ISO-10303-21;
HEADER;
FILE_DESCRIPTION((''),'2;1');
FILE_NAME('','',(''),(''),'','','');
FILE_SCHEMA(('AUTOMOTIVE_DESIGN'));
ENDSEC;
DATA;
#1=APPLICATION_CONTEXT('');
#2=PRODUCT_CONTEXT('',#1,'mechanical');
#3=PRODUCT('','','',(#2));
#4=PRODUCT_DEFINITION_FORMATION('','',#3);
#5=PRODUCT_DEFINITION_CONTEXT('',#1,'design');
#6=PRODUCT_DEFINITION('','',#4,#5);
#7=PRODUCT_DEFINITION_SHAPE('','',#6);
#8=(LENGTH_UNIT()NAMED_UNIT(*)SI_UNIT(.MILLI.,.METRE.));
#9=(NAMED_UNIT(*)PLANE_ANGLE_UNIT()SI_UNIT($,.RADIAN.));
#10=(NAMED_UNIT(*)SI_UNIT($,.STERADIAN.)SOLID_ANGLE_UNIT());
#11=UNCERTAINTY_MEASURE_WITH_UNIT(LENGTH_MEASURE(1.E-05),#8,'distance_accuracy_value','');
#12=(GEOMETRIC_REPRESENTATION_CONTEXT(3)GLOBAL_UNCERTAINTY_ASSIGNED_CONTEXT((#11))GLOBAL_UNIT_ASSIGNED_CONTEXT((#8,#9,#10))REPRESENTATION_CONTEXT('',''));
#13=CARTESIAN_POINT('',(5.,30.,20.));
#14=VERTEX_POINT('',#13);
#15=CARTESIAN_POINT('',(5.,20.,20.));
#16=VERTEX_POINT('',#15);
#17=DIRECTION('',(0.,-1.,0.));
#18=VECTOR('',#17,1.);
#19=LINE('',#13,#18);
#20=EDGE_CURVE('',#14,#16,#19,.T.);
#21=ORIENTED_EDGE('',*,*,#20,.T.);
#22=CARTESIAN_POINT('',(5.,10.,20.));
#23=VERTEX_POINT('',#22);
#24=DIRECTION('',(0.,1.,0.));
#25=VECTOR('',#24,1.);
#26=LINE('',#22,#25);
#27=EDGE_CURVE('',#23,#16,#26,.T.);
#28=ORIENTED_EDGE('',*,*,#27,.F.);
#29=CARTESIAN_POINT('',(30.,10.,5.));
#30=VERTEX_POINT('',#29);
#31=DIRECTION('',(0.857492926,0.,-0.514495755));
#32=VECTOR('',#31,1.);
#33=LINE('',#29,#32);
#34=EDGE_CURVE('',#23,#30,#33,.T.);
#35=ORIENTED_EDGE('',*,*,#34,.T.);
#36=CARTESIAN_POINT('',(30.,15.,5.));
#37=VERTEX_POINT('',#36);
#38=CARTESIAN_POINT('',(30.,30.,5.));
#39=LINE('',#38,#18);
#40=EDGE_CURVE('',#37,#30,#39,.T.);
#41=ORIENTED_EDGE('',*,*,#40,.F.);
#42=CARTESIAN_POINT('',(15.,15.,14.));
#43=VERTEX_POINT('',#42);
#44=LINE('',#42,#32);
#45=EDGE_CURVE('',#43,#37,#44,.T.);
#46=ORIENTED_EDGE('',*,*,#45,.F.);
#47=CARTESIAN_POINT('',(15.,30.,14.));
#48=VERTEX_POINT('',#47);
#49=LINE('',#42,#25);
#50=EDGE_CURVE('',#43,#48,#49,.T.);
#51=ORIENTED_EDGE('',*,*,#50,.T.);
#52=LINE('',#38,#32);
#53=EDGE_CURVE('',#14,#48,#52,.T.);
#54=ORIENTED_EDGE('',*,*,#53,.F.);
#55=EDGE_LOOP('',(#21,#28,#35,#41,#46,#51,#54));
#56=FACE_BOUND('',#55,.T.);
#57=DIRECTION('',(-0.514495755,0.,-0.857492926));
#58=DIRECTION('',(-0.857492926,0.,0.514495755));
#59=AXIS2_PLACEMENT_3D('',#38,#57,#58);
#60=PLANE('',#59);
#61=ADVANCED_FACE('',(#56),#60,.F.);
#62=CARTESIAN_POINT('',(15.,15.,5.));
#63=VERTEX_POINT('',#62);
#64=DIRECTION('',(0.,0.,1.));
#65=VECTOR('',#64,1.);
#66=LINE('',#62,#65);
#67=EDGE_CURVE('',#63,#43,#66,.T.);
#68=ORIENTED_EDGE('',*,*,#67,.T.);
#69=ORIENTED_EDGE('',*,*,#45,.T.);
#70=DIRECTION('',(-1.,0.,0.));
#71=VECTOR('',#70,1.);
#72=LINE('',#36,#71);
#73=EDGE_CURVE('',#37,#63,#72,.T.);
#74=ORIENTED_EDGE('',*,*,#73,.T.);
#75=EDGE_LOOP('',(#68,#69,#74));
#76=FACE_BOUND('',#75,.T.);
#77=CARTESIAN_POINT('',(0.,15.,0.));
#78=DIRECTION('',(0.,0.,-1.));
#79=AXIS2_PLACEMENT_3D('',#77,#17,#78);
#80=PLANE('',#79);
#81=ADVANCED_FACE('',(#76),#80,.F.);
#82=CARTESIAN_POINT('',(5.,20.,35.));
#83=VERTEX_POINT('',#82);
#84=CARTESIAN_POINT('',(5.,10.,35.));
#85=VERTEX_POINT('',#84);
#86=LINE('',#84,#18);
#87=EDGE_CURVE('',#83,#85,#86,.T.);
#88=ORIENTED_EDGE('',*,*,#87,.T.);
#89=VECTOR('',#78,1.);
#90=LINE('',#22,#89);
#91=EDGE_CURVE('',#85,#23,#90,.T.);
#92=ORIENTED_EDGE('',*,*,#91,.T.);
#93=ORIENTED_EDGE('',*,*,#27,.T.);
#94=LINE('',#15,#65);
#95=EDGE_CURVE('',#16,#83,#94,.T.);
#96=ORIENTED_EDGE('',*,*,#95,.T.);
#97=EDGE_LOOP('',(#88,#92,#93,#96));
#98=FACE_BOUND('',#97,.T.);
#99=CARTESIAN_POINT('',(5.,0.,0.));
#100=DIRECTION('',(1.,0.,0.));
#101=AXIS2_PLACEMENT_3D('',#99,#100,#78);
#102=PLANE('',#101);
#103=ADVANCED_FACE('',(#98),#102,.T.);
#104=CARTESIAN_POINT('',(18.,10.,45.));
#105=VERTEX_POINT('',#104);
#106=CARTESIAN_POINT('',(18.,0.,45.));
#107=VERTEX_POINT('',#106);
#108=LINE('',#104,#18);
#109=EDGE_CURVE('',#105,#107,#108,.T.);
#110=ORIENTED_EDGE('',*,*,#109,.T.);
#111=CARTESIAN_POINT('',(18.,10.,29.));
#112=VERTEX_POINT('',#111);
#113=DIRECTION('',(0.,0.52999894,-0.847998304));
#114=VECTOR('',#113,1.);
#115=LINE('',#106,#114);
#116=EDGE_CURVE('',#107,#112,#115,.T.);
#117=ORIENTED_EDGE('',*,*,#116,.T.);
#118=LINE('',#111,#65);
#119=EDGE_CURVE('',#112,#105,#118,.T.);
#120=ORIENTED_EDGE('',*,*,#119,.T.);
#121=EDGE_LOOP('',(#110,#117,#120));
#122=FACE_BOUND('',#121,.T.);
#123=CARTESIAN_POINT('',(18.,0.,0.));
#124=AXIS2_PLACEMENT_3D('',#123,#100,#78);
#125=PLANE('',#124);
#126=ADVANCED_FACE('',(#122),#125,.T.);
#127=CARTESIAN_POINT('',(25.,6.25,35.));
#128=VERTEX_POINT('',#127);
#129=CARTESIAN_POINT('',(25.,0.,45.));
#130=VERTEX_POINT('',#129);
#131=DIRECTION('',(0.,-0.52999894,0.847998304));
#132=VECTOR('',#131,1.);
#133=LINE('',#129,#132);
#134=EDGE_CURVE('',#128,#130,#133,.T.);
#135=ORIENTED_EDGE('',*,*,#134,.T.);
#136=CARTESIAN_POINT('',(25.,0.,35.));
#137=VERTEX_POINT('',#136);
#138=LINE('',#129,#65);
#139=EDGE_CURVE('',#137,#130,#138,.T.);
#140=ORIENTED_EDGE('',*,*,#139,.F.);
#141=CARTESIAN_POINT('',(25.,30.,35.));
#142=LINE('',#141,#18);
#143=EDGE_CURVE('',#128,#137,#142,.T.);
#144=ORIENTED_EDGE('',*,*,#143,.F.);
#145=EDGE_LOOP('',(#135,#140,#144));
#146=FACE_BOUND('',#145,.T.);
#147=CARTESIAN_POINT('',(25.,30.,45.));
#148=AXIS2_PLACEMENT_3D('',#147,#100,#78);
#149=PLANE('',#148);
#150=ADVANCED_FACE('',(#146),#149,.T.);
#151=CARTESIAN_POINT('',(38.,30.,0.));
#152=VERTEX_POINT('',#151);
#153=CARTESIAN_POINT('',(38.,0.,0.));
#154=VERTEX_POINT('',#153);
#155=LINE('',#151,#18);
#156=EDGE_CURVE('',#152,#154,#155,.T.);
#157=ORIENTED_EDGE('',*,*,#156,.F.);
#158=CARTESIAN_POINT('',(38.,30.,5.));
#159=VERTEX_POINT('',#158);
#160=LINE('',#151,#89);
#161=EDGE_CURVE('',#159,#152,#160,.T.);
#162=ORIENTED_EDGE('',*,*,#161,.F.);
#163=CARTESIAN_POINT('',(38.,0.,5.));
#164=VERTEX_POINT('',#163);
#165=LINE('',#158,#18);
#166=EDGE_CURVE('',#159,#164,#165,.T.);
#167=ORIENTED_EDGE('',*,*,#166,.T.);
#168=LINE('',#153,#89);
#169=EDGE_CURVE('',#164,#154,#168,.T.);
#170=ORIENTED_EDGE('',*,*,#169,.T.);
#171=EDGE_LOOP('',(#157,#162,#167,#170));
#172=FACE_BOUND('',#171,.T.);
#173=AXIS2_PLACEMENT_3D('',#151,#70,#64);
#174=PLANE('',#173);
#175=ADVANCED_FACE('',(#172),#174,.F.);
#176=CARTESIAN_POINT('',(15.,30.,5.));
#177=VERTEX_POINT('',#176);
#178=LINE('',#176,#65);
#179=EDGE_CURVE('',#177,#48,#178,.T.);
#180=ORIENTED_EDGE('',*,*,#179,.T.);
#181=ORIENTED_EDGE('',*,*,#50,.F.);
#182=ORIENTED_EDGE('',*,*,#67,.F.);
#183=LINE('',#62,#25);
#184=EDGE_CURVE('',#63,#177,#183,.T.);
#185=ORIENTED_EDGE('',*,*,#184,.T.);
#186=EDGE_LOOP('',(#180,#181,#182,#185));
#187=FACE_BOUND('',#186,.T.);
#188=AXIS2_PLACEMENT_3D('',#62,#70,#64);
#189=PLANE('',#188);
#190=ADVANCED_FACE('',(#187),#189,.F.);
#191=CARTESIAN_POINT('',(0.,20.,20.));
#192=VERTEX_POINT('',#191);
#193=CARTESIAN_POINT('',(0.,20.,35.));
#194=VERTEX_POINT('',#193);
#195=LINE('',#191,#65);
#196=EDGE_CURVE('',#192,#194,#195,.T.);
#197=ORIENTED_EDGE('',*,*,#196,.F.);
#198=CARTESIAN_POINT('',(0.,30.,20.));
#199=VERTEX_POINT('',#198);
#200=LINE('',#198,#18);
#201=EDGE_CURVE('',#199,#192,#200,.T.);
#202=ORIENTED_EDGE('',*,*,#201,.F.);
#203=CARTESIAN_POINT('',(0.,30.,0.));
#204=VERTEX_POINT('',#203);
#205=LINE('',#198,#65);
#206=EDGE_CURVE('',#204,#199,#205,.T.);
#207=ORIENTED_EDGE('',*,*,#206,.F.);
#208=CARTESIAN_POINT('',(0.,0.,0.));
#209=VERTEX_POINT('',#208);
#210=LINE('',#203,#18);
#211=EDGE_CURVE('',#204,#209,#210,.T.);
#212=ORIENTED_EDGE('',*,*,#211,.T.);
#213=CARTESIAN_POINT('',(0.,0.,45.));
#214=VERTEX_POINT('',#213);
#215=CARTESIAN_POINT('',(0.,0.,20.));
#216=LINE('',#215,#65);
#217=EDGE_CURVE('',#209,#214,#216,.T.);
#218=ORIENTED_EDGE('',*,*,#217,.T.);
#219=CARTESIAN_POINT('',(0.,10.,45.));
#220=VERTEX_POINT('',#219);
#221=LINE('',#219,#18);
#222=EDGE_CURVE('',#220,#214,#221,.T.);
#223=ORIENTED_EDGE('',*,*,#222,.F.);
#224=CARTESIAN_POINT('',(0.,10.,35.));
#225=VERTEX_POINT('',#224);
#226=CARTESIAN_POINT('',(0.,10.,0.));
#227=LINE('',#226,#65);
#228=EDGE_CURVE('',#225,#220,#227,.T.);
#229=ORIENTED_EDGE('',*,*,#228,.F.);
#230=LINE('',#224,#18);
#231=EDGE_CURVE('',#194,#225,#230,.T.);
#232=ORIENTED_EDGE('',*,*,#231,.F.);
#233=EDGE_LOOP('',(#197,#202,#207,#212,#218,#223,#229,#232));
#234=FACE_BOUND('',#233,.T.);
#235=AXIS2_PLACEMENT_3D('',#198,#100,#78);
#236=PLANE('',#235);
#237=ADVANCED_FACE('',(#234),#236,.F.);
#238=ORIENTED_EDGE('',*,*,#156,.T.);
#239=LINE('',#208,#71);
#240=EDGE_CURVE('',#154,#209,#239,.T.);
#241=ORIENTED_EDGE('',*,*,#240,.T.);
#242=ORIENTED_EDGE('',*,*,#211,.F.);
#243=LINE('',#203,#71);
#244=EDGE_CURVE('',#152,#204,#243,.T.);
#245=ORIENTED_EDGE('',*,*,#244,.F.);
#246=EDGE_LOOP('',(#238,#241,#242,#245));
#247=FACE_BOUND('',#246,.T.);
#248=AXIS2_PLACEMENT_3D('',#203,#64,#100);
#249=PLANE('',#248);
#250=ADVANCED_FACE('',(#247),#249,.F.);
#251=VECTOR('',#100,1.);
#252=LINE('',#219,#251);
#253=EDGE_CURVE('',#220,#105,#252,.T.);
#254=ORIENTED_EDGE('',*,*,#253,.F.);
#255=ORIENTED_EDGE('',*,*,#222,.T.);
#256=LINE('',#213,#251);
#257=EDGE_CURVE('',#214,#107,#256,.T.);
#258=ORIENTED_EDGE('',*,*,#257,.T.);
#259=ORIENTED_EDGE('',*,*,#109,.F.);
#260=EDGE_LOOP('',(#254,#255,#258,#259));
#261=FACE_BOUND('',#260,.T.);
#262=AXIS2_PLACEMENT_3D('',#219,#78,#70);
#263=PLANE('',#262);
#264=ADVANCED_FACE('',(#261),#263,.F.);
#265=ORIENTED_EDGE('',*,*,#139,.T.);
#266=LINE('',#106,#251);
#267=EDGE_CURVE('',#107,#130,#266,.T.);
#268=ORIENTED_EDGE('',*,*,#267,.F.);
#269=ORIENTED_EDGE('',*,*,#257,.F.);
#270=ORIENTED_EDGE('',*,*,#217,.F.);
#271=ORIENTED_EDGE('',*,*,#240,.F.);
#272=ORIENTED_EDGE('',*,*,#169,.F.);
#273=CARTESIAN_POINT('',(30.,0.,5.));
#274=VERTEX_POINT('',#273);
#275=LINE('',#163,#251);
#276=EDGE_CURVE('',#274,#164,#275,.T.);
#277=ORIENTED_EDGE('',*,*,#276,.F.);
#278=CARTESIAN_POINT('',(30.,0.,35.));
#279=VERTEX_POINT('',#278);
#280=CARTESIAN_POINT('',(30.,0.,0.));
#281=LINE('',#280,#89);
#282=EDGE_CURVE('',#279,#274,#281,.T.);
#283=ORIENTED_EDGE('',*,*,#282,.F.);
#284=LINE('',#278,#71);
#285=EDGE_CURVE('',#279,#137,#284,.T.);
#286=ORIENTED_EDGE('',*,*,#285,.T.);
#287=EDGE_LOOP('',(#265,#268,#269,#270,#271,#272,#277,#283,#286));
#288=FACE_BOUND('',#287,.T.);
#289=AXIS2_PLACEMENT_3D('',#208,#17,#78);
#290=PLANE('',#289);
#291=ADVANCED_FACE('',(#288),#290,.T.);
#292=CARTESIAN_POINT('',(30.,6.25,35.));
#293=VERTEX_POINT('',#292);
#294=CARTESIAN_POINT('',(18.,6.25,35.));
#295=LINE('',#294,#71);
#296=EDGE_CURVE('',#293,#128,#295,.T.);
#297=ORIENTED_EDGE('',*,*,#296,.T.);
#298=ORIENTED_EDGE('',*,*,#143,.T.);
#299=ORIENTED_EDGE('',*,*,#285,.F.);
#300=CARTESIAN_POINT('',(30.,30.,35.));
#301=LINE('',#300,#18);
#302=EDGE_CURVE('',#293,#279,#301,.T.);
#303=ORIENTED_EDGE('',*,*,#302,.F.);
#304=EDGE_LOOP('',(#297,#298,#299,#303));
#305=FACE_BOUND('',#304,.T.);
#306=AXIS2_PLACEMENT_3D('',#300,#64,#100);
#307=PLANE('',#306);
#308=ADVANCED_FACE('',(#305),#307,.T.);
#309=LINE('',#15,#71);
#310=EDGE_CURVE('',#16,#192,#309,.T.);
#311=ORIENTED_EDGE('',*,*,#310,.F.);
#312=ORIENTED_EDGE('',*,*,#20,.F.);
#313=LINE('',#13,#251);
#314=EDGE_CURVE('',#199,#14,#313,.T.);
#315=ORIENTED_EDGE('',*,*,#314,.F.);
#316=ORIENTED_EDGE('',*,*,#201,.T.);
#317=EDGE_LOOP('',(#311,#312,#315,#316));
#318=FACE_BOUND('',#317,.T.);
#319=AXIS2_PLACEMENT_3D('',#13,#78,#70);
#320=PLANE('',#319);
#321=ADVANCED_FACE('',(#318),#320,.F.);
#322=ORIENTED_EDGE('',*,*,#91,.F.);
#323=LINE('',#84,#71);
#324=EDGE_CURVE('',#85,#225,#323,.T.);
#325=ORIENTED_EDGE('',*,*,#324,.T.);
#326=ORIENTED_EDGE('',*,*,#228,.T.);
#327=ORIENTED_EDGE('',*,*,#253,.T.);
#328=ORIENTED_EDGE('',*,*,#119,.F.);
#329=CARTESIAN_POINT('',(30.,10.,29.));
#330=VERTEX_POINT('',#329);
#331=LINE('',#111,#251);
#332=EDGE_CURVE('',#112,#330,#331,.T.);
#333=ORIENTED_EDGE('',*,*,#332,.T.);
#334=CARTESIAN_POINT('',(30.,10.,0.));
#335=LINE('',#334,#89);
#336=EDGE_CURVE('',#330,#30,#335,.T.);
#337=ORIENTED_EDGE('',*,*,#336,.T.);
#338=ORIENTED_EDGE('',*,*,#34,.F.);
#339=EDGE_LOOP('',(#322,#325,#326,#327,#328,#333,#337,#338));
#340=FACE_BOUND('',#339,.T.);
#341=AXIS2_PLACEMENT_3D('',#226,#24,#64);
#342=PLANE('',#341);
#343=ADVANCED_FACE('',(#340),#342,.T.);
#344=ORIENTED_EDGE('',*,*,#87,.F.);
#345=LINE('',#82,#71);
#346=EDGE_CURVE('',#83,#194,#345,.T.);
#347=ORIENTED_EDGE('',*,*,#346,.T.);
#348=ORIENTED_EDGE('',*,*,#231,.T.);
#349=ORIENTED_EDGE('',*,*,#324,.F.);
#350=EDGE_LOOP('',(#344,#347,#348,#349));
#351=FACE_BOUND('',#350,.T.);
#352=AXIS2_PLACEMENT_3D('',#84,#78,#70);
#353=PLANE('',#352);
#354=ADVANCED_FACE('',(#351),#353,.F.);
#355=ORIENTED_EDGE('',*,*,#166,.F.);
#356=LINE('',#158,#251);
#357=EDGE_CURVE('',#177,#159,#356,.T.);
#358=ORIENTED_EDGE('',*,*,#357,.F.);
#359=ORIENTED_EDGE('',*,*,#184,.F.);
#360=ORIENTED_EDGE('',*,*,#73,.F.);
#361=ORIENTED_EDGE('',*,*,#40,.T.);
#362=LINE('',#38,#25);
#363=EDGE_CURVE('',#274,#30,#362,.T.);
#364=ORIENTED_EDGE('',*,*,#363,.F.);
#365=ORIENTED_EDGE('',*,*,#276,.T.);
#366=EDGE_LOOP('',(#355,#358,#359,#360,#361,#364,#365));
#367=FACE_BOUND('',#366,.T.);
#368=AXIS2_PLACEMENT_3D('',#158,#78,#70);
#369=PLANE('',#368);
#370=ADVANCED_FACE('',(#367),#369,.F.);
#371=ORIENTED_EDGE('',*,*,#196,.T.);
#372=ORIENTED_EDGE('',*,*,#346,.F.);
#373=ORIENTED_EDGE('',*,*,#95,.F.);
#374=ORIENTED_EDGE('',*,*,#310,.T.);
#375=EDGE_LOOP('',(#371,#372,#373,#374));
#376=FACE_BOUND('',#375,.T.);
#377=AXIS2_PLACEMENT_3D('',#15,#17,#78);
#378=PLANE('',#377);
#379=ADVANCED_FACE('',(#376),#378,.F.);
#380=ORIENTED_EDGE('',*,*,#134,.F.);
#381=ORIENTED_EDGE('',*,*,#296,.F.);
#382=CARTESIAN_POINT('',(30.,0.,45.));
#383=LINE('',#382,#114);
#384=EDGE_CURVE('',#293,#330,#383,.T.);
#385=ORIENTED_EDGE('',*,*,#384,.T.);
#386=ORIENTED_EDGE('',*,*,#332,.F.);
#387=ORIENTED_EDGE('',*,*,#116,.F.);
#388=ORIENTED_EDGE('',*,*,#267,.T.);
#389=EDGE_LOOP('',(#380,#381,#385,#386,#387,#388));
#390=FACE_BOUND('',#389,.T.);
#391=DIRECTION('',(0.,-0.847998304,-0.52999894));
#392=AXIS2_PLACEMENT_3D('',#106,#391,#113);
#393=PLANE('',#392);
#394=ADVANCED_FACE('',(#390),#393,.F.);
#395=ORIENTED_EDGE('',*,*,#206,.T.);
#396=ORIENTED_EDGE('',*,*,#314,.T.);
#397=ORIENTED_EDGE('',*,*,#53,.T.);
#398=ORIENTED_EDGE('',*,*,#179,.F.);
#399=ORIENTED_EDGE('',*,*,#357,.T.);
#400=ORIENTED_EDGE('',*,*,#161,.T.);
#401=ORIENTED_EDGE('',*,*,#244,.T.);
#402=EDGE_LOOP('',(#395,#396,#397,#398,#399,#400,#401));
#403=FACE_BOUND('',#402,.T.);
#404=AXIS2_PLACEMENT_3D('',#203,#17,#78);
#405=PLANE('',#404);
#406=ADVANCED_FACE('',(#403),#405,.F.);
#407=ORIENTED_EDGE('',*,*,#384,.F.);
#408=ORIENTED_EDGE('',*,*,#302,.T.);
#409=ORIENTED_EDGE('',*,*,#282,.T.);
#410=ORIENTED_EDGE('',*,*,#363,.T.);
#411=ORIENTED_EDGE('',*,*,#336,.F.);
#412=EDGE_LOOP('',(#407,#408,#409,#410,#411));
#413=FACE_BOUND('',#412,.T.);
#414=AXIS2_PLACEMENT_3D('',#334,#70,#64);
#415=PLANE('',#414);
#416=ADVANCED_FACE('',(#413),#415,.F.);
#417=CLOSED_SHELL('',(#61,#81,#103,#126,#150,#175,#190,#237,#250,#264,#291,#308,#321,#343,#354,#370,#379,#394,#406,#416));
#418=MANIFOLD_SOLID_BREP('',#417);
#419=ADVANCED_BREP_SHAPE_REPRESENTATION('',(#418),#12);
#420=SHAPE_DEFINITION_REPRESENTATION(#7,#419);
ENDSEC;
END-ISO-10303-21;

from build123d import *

# Parameters (mm, degrees)
BOSS_EXTRUDE1_DEPTH = 30
SKETCH2_W           = 30
SKETCH2_H           = 45
BOSS_EXTRUDE2_DEPTH = 10
SKETCH3_W           = 15
SKETCH3_H           = 10
BOSS_EXTRUDE3_DEPTH = 5
CUT_EXTRUDE1_DEPTH  = 15
CUT_EXTRUDE2_DEPTH  = 12
SKETCH6_W           = 5
SKETCH6_H           = 10
CUT_EXTRUDE4_DEPTH  = 67.098411479


with BuildPart() as part:
    # Sketch1 → Boss-Extrude1 (new body)
    with BuildSketch(Plane(origin=(0, 0, 0), x_dir=(1, 0, 0), z_dir=(0, 1, 0))):
        Polygon((0, 0), (38, 0), (38, -5), (30, -5), (5, -20), (0, -20), align=None)
    extrude(amount=BOSS_EXTRUDE1_DEPTH)

    # Sketch2 → Boss-Extrude2 (add)
    with BuildSketch(Plane(origin=(0, 0, 0), x_dir=(1, 0, 0), z_dir=(0, 1, 0))):
        with Locations((15, -22.5)):
            Rectangle(SKETCH2_W, SKETCH2_H)
    extrude(amount=BOSS_EXTRUDE2_DEPTH)

    # Sketch3 → Boss-Extrude3 (add)
    with BuildSketch(Plane(origin=(0, 0, 0), x_dir=(0, 0, -1), z_dir=(1, 0, 0))):
        with Locations((-27.5, 15)):
            Rectangle(SKETCH3_W, SKETCH3_H)
    extrude(amount=BOSS_EXTRUDE3_DEPTH)

    # Sketch4 → Cut-Extrude1 (cut)
    with BuildSketch(Plane(origin=(0, 30, 0), x_dir=(1, 0, 0), z_dir=(0, 1, 0))):
        Polygon((30, -5), (15, -5), (15, -14), align=None)
    extrude(amount=-CUT_EXTRUDE1_DEPTH, mode=Mode.SUBTRACT)

    # Sketch5 → Cut-Extrude2 (cut)
    with BuildSketch(Plane(origin=(30, 0, 0), x_dir=(0, 0, -1), z_dir=(1, 0, 0))):
        Polygon((-45, 10), (-45, 0), (-29, 10), align=None)
    extrude(amount=-CUT_EXTRUDE2_DEPTH, mode=Mode.SUBTRACT)

    # Sketch6 → Cut-Extrude4 (cut, through all)
    with BuildSketch(Plane(origin=(0, 0, 0), x_dir=(1, 0, 0), z_dir=(0, 1, 0))):
        with Locations((27.5, -40)):
            Rectangle(SKETCH6_W, SKETCH6_H)
    extrude(amount=CUT_EXTRUDE4_DEPTH, mode=Mode.SUBTRACT)


solid = part.part
